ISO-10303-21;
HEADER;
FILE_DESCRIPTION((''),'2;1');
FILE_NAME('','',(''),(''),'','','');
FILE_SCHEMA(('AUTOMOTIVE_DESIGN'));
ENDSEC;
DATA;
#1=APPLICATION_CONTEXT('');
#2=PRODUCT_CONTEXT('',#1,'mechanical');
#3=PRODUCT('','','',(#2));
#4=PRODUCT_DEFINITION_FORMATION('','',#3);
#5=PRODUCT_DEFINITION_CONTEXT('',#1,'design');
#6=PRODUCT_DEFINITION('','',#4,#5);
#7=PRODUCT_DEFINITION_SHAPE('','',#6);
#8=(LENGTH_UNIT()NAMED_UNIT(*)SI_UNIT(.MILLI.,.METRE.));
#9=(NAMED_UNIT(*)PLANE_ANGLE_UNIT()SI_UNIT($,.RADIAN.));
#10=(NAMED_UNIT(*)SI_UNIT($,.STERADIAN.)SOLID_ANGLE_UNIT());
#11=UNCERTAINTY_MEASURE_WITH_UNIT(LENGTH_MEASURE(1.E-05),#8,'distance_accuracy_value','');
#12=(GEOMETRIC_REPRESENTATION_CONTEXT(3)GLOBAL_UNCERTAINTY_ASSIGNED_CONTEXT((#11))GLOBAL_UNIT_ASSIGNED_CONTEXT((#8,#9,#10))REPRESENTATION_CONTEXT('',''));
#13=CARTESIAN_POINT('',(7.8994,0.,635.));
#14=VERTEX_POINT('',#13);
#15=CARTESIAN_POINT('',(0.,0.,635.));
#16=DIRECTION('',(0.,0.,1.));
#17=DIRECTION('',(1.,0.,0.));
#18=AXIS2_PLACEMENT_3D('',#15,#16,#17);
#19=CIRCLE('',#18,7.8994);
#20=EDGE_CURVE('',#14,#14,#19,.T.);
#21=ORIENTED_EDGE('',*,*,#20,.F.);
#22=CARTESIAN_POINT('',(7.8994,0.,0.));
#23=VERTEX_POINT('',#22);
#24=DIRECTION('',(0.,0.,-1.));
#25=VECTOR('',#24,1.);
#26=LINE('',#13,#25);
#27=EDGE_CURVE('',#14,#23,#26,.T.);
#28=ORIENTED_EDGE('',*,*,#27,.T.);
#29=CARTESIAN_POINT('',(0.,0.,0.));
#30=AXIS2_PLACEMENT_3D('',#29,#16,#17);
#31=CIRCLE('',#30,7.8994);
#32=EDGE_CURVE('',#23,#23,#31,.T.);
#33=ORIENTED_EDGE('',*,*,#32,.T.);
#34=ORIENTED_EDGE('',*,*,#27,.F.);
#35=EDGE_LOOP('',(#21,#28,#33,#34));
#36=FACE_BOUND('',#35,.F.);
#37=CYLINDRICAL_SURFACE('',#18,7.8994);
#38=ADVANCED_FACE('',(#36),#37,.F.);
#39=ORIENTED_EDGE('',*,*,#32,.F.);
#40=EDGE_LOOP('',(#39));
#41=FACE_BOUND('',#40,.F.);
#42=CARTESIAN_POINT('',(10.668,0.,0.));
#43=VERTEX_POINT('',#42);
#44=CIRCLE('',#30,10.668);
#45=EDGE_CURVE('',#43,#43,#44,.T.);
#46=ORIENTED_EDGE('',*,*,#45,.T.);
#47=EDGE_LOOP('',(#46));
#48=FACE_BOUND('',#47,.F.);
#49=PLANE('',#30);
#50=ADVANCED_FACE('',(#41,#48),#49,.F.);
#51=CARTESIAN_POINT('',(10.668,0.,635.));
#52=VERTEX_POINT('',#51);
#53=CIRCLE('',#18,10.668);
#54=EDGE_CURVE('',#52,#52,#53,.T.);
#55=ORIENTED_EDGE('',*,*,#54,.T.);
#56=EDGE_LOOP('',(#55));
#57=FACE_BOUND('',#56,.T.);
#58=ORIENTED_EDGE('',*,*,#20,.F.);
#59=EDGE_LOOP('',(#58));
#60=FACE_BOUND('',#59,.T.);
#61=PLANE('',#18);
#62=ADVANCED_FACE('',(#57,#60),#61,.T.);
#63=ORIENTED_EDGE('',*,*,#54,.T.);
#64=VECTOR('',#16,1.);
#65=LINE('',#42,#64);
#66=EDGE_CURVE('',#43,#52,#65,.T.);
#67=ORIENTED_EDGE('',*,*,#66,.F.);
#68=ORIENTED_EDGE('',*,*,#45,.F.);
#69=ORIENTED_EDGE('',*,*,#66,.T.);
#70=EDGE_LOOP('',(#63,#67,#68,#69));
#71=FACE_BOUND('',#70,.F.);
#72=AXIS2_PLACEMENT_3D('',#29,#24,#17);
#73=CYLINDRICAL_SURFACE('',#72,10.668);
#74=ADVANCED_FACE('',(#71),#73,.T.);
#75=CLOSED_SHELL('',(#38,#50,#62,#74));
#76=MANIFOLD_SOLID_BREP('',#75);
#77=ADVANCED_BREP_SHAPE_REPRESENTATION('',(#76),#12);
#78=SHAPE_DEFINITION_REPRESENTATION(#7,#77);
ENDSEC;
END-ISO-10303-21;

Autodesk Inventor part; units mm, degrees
ref_plane "YZ Plane" through (0, 0, 0) normal (1, 0, 0) x (0, 1, 0)
ref_plane "XZ Plane" through (0, 0, 0) normal (0, 1, 0) x (-1, 0, 0)
ref_plane "XY Plane" through (0, 0, 0) normal (0, 0, 1) x (1, 0, 0)
sketch "Sketch1" plane through (0, 0, 0) normal (0, 0, 1) x (1, 0, 0)
  circle A0 centre (0, 0) radius 10.668
  dimension "d0" = 21.336
extrude "Extrusion1" add sketch "Sketch1" along normal blind 635
sketch "Sketch2" plane through (0, 0, 635) normal (0, 0, 1) x (1, 0, 0)
  circle A0 centre (0, 0) radius 7.8994
  dimension "d3" = 15.7988
extrude "Extrusion2" cut sketch "Sketch2" against normal blind 635
properties part number "Extender - .5 in tube"
